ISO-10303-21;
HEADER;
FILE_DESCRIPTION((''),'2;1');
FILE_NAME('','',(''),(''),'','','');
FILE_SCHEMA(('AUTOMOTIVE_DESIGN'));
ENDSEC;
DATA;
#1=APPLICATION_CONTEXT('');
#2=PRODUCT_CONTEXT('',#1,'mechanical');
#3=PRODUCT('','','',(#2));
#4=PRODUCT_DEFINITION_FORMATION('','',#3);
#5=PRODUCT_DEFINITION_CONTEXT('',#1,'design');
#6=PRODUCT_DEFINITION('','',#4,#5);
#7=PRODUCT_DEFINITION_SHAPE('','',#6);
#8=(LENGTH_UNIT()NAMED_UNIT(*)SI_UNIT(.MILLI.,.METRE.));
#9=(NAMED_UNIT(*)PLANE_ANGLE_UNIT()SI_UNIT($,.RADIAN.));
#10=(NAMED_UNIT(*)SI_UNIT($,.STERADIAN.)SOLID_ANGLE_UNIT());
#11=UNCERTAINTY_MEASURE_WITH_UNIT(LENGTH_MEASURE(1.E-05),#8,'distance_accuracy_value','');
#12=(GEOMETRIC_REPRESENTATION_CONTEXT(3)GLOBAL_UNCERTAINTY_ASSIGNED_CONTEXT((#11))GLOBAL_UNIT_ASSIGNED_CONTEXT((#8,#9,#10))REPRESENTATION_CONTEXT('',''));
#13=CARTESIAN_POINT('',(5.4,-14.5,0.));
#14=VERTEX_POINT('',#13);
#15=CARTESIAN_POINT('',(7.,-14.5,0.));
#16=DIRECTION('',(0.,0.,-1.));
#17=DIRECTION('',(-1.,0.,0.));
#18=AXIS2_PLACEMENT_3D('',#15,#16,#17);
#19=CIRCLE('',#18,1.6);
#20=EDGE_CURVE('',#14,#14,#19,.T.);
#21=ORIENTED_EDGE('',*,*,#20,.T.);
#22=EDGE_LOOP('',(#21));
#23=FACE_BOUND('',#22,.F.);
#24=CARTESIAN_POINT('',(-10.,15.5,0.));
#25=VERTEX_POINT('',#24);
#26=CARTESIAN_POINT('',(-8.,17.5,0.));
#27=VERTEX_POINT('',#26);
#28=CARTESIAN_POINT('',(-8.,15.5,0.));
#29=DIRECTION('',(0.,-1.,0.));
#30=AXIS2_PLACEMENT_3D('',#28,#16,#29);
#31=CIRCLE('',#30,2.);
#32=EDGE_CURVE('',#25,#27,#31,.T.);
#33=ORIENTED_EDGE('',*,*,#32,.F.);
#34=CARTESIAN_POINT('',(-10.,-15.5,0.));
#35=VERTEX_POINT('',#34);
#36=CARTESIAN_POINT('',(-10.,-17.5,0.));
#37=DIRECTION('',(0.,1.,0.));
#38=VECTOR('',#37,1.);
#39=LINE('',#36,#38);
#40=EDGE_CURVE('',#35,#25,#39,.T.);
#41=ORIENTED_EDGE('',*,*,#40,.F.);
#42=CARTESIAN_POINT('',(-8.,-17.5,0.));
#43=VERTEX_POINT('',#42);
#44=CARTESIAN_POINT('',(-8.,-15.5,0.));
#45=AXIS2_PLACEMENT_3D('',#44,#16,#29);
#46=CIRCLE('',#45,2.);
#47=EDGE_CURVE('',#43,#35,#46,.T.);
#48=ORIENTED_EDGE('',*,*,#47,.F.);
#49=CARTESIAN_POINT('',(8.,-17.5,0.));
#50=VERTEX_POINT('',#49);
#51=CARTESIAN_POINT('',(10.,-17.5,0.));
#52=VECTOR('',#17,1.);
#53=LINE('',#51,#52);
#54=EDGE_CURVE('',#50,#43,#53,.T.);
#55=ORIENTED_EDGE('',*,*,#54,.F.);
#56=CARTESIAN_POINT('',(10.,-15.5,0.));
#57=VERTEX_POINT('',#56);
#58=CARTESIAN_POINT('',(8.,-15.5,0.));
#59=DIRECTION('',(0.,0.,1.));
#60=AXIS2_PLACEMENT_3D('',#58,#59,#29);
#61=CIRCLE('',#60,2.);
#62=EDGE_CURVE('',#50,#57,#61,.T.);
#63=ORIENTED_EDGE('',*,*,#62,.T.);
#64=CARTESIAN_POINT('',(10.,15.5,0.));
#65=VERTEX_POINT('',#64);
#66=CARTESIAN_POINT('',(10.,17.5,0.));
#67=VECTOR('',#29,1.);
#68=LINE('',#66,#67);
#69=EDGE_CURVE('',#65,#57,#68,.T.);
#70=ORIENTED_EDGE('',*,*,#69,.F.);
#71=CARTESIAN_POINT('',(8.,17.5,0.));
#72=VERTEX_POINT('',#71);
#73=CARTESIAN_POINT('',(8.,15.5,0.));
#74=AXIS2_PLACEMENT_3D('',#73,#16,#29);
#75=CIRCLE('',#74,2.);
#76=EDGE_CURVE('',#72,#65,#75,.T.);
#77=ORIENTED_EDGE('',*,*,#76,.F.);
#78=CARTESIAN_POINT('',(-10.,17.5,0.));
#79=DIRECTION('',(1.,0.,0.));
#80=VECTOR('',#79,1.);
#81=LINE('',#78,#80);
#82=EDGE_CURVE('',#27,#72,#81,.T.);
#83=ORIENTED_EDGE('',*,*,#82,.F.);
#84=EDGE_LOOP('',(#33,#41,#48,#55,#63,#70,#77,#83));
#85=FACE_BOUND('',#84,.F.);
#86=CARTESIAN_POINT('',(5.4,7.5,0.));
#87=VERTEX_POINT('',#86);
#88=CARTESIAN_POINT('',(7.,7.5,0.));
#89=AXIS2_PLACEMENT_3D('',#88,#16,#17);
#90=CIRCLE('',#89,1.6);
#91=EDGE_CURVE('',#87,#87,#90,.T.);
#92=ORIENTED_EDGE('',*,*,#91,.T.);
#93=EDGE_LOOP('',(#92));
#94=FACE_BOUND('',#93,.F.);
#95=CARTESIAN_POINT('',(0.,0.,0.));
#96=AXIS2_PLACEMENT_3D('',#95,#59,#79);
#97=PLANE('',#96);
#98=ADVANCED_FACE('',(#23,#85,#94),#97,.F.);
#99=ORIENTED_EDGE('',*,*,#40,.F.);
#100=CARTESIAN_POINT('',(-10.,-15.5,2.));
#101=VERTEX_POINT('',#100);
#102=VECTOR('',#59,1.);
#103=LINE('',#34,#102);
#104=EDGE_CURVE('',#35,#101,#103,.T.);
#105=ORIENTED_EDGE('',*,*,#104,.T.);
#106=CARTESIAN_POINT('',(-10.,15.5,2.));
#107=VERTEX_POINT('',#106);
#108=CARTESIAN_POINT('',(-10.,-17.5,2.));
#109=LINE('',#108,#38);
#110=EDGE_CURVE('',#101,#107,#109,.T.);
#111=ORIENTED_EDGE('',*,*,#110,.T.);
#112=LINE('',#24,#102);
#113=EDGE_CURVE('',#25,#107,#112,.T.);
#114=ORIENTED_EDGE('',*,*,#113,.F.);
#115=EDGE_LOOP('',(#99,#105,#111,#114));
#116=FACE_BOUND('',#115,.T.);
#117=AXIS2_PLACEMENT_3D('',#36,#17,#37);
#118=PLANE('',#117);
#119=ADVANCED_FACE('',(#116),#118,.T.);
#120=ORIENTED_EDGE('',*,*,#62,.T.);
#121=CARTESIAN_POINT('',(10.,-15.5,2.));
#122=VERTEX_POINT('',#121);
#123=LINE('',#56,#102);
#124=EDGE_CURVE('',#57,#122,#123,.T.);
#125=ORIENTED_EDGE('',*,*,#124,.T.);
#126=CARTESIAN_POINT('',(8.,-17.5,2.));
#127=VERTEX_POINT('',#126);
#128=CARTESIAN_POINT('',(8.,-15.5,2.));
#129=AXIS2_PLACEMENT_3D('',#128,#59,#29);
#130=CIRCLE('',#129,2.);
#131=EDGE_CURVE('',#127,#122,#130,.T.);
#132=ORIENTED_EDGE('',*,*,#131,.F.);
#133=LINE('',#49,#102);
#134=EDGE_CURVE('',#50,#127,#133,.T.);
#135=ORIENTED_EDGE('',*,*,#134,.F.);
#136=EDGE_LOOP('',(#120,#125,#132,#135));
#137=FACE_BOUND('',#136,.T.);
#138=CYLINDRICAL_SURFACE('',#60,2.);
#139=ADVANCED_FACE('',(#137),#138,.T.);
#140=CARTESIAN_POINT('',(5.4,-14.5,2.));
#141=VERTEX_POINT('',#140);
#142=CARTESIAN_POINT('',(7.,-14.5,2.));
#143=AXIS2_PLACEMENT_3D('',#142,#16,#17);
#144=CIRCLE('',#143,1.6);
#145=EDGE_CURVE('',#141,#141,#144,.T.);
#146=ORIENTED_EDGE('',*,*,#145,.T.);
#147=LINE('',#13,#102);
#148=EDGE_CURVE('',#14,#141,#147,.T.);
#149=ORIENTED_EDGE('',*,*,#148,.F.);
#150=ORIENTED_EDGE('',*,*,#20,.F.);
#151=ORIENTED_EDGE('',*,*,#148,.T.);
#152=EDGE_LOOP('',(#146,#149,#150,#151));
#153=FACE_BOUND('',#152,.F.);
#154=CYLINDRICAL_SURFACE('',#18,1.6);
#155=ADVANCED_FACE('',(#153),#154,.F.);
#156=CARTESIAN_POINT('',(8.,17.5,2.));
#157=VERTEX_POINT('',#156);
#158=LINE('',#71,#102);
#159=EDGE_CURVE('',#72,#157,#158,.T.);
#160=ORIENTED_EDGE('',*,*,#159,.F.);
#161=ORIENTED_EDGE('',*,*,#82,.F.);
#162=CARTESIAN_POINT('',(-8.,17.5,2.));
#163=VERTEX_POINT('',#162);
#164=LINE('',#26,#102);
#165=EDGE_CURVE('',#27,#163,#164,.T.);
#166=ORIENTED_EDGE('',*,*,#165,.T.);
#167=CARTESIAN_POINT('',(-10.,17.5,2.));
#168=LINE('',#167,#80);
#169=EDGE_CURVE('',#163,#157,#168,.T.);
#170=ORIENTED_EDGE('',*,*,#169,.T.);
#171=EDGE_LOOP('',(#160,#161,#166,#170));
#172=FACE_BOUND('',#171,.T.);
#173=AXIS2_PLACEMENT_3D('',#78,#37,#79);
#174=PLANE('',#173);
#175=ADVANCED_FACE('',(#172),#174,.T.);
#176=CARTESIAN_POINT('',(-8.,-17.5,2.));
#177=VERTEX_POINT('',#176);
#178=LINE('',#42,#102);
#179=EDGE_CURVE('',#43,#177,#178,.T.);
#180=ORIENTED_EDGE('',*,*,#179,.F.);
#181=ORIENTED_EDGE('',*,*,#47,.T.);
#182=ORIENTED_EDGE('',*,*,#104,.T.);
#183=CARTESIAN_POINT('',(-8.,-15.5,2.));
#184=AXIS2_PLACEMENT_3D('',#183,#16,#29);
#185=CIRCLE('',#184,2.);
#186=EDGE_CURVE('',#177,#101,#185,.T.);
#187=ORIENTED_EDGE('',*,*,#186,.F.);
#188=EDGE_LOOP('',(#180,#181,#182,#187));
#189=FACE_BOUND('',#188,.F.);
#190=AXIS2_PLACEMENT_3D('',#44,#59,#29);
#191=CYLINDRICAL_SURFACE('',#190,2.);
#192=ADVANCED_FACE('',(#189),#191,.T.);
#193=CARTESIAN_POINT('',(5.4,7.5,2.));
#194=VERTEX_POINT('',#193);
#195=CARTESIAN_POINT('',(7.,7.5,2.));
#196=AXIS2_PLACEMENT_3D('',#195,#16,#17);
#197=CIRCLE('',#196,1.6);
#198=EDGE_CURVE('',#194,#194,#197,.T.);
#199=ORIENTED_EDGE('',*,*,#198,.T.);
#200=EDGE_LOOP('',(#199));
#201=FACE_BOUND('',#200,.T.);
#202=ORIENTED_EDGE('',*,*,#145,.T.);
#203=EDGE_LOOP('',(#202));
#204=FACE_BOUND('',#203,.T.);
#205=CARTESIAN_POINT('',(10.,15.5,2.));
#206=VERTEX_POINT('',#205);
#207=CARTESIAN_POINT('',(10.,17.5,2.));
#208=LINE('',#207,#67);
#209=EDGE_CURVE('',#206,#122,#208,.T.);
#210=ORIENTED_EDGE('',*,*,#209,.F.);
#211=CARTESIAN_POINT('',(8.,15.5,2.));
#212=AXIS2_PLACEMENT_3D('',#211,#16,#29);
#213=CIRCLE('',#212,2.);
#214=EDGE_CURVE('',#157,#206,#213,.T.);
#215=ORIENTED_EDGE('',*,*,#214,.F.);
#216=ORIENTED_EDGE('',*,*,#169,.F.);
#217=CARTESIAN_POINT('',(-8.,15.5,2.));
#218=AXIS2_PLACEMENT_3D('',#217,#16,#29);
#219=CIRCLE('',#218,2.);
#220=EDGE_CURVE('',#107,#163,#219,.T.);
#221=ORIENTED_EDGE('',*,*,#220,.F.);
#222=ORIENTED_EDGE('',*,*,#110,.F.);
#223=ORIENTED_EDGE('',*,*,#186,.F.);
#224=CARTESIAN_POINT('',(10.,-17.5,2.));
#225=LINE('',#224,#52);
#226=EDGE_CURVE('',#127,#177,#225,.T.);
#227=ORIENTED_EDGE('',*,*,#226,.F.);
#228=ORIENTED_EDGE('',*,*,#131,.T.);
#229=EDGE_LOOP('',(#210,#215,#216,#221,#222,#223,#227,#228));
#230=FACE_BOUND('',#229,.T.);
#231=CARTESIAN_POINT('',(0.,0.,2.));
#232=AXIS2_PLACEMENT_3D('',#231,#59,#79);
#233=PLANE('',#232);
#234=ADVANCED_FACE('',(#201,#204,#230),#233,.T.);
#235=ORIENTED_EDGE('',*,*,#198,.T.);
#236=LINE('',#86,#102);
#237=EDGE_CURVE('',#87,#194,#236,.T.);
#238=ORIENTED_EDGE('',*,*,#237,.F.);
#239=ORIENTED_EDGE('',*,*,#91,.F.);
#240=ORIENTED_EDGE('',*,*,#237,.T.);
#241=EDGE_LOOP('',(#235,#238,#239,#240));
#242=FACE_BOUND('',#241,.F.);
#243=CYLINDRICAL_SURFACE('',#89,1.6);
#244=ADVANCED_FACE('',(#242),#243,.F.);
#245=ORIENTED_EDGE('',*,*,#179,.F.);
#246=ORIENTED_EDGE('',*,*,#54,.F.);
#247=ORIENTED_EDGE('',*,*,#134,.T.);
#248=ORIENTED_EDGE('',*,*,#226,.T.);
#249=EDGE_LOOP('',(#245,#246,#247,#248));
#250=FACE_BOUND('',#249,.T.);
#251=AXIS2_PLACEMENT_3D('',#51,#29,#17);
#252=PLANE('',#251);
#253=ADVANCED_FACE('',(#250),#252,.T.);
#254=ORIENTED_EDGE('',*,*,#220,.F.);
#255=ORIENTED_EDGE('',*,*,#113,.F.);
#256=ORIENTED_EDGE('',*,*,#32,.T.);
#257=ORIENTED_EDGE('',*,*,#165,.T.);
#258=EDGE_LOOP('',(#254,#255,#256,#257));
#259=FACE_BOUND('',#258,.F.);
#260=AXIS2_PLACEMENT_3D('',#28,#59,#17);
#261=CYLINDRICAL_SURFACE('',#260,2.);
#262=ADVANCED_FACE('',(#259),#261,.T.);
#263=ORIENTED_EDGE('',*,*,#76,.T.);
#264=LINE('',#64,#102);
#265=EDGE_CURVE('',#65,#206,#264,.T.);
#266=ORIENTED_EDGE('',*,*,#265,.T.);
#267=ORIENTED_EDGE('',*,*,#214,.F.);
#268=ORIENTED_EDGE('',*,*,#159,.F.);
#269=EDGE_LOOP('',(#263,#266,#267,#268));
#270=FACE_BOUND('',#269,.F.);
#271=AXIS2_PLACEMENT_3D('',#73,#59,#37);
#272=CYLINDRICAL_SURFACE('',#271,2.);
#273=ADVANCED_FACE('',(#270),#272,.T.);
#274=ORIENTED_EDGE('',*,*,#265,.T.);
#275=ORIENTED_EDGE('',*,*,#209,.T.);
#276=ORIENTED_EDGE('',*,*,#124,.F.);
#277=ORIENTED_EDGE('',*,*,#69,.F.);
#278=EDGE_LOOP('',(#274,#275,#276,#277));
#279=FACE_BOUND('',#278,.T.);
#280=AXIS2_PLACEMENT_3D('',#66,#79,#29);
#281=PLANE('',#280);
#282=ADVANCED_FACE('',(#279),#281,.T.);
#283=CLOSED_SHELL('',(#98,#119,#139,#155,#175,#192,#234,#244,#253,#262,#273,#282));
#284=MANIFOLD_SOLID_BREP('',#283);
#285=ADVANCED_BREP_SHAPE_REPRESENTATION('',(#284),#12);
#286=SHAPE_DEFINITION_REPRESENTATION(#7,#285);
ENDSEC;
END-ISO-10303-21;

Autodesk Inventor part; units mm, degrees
ref_plane "YZ Plane" through (0, 0, 0) normal (1, 0, 0) x (0, 1, 0)
ref_plane "XZ Plane" through (0, 0, 0) normal (0, 1, 0) x (-1, 0, 0)
ref_plane "XY Plane" through (0, 0, 0) normal (0, 0, 1) x (1, 0, 0)
sketch "Эскиз1" plane through (0, 0, 0) normal (0, 0, 1) x (1, 0, 0)
  line L0 (10, -17.5) -> (-10, -17.5)
  line L1 (-10, -17.5) -> (-10, 17.5)
  line L2 (-10, 17.5) -> (10, 17.5)
  line L3 (10, 17.5) -> (10, -17.5)
  line L4 (10, -17.5) -> (-10, 17.5) construction
  line L5 (-10, -17.5) -> (10, 17.5) construction
  point P0 (0, 0)
  dimension "d0" = 20
  dimension "d1" = 35
extrude "Выдавливание1" add sketch "Эскиз1" along normal blind 2
fillet "Сопряжение1" radius 2 4 edges at (-10, 17.5, 1) (10, 17.5, 1) (10, -17.5, 1) (-10, -17.5, 1)
sketch "Эскиз2" plane through (0, 0, 0) normal (0, 0, -1) x (-1, 0, 0)
  circle A0 centre (-7, 7.5) radius 2.1 projected
  circle A1 centre (-7, -14.5) radius 2.1 projected
  line L0 (-5.7982, 10.5) -> (-5.7982, 18.5) projected
  line L1 (-5.7982, 18.5) -> (-8, 18.5) projected
  arc A2 (-8, 18.5) -> (-11, 15.5) centre (-8, 15.5) ccw projected
  line L2 (-11, 15.5) -> (-11, 2.5) projected
  arc A3 (-11, -15.5) -> (-8, -18.5) centre (-8, -15.5) ccw projected
  line L3 (-8, -18.5) -> (8, -18.5) projected
  arc A4 (8, -18.5) -> (11, -15.5) centre (8, -15.5) ccw projected
  line L4 (11, 6) -> (11, 10.5) projected
  line L5 (11, 10.5) -> (-5.7982, 10.5) projected
  circle A5 centre (-7, -14.5) radius 1.6
  circle A6 centre (-7, 7.5) radius 1.6
  line L6 (-11, 2.5) -> (-4, 2.5) projected
  line L7 (-4, 2.5) -> (-4, -9.5) projected
  line L8 (-4, -9.5) -> (-11, -9.5) projected
  line L9 (11, -6) -> (4, -6) projected
  line L10 (4, -6) -> (4, 6) projected
  line L11 (4, 6) -> (11, 6) projected
  line L12 (-11, -9.5) -> (-11, -15.5) projected
  line L13 (11, -15.5) -> (11, -6) projected
  point P0 (0, 0)
  dimension "d5" = 3.2
  dimension "d6" = 3.2
extrude "Выдавливание2" cut sketch "Эскиз2" against normal blind 2 contours A5 | A6
properties part number "comutation_motorboard"
